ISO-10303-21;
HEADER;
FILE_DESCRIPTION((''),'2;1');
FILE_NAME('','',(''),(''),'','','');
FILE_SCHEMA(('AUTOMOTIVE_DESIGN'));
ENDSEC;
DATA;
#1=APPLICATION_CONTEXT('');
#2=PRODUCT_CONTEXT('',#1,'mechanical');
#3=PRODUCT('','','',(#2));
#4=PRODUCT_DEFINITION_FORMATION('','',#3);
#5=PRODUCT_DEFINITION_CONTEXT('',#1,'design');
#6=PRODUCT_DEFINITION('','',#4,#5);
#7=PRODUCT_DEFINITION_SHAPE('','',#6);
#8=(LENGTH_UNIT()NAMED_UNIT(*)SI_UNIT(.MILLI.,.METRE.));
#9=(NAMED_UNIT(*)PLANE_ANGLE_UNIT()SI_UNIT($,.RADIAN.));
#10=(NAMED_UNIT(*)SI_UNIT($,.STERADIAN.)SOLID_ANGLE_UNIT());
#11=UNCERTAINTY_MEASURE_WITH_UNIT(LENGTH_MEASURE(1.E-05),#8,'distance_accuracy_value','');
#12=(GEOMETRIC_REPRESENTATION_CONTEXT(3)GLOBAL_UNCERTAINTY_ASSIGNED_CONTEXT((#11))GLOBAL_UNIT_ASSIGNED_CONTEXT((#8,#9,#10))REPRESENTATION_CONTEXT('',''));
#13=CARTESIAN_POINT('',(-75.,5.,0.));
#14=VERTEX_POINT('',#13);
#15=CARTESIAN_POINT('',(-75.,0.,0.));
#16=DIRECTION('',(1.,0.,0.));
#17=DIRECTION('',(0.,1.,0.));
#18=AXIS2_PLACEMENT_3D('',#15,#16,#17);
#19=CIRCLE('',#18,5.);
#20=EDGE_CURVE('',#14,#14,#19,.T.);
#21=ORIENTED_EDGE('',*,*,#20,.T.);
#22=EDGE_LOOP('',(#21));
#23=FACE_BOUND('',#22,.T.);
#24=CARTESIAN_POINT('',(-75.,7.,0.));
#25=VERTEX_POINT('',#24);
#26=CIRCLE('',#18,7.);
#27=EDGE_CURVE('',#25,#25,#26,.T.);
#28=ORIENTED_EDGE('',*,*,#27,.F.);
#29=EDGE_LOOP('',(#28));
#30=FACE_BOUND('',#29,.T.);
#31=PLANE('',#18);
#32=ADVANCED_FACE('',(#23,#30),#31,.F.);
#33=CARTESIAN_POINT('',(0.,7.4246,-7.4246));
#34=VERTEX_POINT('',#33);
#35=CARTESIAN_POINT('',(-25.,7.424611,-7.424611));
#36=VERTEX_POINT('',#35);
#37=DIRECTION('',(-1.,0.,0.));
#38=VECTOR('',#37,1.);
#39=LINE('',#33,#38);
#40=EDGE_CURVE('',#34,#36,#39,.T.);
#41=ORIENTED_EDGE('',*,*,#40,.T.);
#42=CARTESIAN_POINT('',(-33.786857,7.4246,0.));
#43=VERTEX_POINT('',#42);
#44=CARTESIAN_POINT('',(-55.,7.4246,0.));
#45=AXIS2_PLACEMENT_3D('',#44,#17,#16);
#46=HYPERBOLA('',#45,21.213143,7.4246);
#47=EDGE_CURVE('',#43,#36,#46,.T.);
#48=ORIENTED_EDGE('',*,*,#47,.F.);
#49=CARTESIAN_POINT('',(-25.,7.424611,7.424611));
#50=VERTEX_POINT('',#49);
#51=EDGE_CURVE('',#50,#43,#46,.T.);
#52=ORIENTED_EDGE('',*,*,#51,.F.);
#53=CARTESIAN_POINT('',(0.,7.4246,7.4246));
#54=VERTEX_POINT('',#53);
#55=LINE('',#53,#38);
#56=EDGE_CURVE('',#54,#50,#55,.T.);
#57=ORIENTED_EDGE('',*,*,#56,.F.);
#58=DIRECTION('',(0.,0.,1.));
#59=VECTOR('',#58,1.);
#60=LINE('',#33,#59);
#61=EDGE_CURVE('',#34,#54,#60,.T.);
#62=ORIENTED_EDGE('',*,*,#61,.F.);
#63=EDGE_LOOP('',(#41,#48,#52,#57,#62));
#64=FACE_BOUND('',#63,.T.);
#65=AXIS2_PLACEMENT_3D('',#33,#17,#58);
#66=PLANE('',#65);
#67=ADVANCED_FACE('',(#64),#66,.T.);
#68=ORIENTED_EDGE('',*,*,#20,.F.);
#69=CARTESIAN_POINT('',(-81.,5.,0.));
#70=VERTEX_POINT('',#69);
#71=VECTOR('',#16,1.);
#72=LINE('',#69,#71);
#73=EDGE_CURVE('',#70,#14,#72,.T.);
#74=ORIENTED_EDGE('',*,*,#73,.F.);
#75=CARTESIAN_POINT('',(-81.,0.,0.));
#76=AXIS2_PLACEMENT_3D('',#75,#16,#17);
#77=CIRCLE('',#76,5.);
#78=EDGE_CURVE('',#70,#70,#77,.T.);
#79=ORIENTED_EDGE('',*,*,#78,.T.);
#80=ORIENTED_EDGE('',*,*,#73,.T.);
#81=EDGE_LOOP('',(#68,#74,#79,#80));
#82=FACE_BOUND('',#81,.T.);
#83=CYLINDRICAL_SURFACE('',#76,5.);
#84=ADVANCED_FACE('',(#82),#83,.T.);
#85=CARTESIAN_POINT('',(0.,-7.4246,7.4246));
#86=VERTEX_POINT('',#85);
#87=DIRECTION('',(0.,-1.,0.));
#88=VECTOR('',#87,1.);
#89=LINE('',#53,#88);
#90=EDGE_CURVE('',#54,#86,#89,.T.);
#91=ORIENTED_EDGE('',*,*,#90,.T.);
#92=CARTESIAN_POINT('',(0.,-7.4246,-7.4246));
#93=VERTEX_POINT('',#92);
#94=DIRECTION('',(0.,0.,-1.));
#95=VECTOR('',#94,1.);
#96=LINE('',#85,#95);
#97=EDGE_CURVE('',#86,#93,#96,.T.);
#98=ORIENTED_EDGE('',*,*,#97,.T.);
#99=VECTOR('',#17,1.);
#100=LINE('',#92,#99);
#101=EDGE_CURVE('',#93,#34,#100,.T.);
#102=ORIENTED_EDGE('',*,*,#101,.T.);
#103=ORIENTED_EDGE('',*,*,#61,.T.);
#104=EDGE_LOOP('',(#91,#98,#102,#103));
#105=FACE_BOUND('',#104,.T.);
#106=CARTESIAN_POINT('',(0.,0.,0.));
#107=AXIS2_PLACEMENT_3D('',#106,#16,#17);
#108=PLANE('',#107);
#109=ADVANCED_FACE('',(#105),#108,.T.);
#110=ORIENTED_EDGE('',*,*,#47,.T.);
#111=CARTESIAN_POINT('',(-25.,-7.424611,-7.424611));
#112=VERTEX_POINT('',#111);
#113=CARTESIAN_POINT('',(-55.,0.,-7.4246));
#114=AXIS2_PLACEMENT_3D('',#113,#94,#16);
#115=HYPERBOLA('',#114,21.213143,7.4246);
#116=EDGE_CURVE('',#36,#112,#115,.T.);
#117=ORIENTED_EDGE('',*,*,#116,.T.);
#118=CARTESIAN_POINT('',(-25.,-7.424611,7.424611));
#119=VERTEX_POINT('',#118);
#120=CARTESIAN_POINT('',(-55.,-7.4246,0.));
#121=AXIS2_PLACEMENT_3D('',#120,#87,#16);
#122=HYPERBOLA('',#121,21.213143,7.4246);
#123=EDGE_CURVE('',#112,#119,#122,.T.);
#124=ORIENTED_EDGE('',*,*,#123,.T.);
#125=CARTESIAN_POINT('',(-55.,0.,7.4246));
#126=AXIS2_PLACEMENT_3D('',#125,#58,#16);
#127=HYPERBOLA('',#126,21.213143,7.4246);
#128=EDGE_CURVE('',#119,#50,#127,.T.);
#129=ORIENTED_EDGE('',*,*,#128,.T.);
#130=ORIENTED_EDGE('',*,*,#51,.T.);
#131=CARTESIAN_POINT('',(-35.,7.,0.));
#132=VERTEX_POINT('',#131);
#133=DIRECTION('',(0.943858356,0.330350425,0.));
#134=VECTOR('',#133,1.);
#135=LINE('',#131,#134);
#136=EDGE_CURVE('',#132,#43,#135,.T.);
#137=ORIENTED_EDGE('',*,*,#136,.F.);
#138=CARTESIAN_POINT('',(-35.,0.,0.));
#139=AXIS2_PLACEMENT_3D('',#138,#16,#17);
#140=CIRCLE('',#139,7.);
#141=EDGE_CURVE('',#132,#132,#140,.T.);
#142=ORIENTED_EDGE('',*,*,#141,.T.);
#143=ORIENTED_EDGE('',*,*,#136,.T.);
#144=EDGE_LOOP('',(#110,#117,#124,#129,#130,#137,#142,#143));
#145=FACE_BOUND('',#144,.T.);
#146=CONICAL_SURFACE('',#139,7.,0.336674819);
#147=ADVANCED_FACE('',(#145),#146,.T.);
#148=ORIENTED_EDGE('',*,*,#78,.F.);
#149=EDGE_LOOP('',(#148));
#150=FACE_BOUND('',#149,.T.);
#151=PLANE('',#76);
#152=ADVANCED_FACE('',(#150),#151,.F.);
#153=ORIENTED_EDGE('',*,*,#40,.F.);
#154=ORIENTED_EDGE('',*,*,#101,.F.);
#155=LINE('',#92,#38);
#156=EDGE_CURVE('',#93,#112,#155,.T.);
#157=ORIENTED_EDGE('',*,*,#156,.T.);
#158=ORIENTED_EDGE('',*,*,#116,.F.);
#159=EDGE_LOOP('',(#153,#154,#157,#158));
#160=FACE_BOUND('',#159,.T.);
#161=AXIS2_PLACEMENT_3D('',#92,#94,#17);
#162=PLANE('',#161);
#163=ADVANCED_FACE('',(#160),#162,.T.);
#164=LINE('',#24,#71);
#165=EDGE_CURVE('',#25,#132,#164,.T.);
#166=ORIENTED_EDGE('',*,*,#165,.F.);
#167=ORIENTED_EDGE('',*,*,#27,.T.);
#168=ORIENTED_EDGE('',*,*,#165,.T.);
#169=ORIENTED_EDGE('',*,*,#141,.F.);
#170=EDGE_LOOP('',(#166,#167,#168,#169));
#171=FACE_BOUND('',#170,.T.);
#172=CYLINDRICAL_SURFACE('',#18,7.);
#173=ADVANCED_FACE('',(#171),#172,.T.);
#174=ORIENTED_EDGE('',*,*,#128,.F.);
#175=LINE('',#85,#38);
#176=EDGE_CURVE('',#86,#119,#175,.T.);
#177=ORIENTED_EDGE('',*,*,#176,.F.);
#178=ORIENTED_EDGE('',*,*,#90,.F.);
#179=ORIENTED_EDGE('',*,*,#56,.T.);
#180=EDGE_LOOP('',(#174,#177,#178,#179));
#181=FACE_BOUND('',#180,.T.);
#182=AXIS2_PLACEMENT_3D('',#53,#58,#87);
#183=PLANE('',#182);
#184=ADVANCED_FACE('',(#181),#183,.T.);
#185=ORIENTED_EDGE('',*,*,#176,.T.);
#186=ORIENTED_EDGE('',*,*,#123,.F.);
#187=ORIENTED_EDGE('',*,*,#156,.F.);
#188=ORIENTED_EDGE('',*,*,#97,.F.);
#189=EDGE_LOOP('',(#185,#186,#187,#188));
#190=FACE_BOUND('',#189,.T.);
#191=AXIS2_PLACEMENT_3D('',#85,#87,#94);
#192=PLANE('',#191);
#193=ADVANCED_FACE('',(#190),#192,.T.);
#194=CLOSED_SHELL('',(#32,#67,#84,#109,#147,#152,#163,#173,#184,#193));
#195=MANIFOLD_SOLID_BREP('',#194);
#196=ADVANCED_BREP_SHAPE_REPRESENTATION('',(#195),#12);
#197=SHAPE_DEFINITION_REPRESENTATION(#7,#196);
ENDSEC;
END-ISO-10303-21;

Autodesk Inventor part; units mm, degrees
ref_plane "YZ Plane" through (0, 0, 0) normal (1, 0, 0) x (0, 1, 0)
ref_plane "XZ Plane" through (0, 0, 0) normal (0, 1, 0) x (-1, 0, 0)
ref_plane "XY Plane" through (0, 0, 0) normal (0, 0, 1) x (1, 0, 0)
sketch "Sketch1" plane through (0, 0, 0) normal (0, 0, 1) x (1, 0, 0)
  line L0 (0, 0) -> (-81, 0)
  line L1 (-81, 0) -> (-81, 5)
  line L2 (-81, 5) -> (-75, 5)
  line L3 (-75, 5) -> (-75, 7)
  line L4 (-75, 7) -> (-35, 7)
  line L5 (-35, 7) -> (-25, 10.5)
  line L6 (-25, 10.5) -> (0, 10.5)
  line L7 (0, 10.5) -> (0, 0)
  line L8 (-97.2, 0) -> (16.2, 0) projected
  dimension "d7" = 5
  dimension "d8" = 6
  dimension "d9" = 7
  dimension "d10" = 25
  dimension "d11" = 50
  dimension "d12" = 10
  dimension "d13" = 10.5
revolve "Revolution1" add sketch "Sketch1" angle 360 about axis through (-10, 0, 0) along (1, 0, 0)
thread "Thread1" size "M14x2" class "6g" standard "ANSI Metric M Profile" full length
sketch "Sketch2" plane through (0, 0, 0) normal (1, 0, 0) x (0, 0, -1)
  circle A0 centre (0, 0) radius 10.5 projected
  line L0 (-7.4246, -7.4246) -> (7.4246, -7.4246)
  line L1 (7.4246, -7.4246) -> (7.4246, 7.4246)
  line L2 (7.4246, 7.4246) -> (-7.4246, 7.4246)
  line L3 (-7.4246, 7.4246) -> (-7.4246, -7.4246)
  line L4 (-7.4246, -7.4246) -> (7.4246, 7.4246) construction
  line L5 (7.4246, -7.4246) -> (-7.4246, 7.4246) construction
  circle A1 centre (0, 0) radius 20.6149
extrude "Extrusion1" cut sketch "Sketch2" against normal up to next contours A0 L1 | L2 A0 | A0 L0 | L3 A0 | A1
properties part number "tool clamping screw"
